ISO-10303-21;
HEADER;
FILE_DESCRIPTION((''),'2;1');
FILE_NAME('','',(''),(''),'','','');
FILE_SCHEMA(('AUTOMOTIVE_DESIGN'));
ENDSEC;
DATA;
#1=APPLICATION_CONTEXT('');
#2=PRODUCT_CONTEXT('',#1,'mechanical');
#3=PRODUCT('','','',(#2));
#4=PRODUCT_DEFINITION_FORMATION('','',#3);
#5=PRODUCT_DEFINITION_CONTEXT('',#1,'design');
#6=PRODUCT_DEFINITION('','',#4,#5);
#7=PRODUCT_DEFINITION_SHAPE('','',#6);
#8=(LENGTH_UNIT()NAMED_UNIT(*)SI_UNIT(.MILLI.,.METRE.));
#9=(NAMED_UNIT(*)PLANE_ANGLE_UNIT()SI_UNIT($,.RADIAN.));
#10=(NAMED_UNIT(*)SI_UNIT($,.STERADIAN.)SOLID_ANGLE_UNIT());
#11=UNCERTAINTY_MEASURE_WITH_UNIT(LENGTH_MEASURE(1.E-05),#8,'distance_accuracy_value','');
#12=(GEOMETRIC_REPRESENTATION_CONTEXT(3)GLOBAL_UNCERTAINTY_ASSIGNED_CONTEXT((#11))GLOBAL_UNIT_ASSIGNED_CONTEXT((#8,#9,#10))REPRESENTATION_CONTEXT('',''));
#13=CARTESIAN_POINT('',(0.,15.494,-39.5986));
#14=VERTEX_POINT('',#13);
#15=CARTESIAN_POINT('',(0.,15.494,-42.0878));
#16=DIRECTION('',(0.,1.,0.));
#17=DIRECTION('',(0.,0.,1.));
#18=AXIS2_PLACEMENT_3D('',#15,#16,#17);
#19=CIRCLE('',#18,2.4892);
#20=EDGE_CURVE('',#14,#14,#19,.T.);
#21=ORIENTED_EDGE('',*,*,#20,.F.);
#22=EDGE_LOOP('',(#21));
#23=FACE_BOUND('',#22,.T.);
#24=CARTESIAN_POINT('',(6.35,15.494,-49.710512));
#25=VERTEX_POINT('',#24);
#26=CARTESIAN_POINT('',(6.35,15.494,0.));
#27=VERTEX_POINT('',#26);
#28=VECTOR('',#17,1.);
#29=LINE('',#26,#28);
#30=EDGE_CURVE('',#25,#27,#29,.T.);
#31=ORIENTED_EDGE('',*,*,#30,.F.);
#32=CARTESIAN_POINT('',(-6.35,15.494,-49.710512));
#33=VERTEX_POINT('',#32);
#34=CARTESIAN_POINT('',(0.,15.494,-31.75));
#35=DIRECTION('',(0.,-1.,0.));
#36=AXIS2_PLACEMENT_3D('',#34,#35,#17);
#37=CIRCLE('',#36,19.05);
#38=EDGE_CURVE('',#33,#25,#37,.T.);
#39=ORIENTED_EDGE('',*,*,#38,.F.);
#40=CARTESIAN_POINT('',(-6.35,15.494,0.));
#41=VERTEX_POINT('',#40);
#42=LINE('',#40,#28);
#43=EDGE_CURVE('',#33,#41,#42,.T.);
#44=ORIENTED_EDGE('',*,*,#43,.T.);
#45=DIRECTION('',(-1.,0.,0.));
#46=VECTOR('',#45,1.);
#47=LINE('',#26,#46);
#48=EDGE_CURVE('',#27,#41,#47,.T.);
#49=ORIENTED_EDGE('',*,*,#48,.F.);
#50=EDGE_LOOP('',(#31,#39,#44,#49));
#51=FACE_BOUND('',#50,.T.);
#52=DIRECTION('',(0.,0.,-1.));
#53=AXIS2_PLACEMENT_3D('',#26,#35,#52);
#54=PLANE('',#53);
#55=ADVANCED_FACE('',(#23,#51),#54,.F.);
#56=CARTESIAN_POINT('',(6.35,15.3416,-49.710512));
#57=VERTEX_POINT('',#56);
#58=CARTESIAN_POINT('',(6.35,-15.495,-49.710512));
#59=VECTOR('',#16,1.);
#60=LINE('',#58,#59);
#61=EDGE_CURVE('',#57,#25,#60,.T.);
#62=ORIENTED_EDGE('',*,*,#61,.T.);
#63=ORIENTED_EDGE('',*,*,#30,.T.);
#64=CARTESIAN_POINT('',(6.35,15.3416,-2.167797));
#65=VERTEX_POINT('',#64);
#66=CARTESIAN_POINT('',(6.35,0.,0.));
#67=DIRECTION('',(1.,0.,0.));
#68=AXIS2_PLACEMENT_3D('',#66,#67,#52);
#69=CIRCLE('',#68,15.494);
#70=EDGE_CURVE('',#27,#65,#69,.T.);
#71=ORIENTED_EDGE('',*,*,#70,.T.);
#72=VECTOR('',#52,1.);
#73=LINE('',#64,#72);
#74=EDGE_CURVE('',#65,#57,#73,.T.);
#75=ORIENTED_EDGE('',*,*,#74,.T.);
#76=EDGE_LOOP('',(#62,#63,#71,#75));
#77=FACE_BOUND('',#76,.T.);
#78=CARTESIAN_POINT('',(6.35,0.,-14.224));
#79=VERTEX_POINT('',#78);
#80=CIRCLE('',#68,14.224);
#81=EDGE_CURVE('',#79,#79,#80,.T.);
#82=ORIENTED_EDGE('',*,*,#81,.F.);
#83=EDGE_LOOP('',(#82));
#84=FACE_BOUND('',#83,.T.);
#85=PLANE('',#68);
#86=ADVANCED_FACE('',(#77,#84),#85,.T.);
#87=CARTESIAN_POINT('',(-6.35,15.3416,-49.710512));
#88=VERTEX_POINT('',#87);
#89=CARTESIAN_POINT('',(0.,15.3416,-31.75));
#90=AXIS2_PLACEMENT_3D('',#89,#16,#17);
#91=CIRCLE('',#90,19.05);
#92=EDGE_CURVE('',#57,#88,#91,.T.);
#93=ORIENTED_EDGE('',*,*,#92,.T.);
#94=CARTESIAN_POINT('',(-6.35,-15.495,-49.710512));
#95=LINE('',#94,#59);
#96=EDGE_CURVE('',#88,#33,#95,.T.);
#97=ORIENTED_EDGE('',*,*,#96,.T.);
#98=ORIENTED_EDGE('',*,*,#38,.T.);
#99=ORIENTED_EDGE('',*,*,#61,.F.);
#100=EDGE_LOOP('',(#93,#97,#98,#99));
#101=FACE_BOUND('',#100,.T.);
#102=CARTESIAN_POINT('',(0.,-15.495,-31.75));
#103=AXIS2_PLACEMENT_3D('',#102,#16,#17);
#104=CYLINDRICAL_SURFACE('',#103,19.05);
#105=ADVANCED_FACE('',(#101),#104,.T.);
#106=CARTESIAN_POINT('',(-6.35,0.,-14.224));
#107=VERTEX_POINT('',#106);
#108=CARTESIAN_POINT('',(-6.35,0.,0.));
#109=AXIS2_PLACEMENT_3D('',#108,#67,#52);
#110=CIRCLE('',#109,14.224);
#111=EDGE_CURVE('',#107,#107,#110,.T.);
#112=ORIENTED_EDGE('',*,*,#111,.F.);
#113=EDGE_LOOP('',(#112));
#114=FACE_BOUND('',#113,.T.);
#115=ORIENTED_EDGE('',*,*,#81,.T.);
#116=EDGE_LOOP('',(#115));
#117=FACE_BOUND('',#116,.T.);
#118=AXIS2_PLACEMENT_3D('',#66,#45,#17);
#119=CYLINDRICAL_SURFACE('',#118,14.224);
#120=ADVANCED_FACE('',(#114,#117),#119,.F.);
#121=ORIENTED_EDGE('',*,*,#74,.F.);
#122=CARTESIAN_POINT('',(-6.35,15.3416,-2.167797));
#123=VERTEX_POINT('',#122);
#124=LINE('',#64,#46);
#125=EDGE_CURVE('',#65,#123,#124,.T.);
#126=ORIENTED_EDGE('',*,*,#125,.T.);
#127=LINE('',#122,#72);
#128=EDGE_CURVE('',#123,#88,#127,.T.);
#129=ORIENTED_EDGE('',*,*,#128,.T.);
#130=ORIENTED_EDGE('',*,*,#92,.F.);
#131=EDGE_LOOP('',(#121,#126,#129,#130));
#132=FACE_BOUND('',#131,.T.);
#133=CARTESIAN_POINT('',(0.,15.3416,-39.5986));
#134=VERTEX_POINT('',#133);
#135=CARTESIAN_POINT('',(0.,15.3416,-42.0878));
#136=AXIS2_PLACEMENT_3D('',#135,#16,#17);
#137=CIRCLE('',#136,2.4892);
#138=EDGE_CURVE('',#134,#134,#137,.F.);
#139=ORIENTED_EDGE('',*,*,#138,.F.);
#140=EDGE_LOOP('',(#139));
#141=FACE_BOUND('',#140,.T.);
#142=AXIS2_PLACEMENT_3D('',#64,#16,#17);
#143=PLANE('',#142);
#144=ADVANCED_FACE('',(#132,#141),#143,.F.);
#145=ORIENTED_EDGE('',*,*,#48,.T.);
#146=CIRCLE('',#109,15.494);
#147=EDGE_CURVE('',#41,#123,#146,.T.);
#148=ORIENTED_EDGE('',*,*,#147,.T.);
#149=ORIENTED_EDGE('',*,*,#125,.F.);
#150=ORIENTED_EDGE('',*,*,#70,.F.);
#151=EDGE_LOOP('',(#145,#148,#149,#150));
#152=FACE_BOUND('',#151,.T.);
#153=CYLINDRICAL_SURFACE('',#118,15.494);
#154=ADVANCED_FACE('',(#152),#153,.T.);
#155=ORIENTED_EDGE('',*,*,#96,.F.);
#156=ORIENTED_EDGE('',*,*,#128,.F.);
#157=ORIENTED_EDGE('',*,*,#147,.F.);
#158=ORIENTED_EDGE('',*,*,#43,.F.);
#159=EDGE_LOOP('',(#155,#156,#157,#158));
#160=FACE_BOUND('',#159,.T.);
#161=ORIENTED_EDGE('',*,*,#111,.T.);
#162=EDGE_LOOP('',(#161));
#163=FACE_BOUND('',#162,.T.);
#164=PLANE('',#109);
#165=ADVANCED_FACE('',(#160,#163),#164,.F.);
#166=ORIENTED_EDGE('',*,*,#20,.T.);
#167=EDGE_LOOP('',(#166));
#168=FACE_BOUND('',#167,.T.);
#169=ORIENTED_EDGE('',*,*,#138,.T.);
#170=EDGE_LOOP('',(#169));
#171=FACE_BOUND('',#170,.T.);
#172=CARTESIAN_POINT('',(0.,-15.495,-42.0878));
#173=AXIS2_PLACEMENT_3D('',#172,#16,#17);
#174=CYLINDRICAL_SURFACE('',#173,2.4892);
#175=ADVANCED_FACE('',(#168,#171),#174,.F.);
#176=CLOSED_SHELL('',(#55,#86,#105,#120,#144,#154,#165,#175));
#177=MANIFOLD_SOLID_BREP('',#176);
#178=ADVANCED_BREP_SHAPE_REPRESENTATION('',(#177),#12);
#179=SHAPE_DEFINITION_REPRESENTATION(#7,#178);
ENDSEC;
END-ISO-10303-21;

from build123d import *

# Parameters (mm, degrees)
SKETCH1_R           = 14.224
BOSS_EXTRUDE1_DEPTH = 6.35
ONEHOLE_START       = -0.1524
SKETCH2_R           = 2.4892
ONEHOLE_DEPTH       = 0.1524


with BuildPart() as part:
    # Sketch1 → Boss-Extrude1 (new body, symmetric)
    with BuildSketch(Plane(origin=(0, 0, 0), x_dir=(0, 0, -1), z_dir=(1, 0, 0))):
        with BuildLine():
            Line((0, 15.494), (50.8, 15.494))
            Line((50.8, 15.494), (50.8, 15.3416))
            Line((50.8, 15.3416), (2.167797371, 15.3416))
            ThreePointArc((2.167797371, 15.3416), (-1.086573882, -15.45585304), (0, 15.494))
        make_face()
        Circle(SKETCH1_R, mode=Mode.SUBTRACT)
    extrude(amount=BOSS_EXTRUDE1_DEPTH, both=True)

    # Sketch2 → OneHole (cut)
    with BuildSketch(Plane(origin=(0, 15.494, 0), x_dir=(1, 0, 0), z_dir=(0, 1, 0)).offset(ONEHOLE_START)):
        with Locations((0, 42.0878)):
            Circle(SKETCH2_R)
        with BuildLine():
            Line((-6.35, 49.710512242), (-6.35, 51.435))
            Line((-6.35, 51.435), (6.35, 51.435))
            Line((6.35, 51.435), (6.35, 49.710512242))
            ThreePointArc((6.35, 49.710512242), (0, 50.8), (-6.35, 49.710512242))
        make_face()
    extrude(amount=ONEHOLE_DEPTH, mode=Mode.SUBTRACT)


solid = part.part
